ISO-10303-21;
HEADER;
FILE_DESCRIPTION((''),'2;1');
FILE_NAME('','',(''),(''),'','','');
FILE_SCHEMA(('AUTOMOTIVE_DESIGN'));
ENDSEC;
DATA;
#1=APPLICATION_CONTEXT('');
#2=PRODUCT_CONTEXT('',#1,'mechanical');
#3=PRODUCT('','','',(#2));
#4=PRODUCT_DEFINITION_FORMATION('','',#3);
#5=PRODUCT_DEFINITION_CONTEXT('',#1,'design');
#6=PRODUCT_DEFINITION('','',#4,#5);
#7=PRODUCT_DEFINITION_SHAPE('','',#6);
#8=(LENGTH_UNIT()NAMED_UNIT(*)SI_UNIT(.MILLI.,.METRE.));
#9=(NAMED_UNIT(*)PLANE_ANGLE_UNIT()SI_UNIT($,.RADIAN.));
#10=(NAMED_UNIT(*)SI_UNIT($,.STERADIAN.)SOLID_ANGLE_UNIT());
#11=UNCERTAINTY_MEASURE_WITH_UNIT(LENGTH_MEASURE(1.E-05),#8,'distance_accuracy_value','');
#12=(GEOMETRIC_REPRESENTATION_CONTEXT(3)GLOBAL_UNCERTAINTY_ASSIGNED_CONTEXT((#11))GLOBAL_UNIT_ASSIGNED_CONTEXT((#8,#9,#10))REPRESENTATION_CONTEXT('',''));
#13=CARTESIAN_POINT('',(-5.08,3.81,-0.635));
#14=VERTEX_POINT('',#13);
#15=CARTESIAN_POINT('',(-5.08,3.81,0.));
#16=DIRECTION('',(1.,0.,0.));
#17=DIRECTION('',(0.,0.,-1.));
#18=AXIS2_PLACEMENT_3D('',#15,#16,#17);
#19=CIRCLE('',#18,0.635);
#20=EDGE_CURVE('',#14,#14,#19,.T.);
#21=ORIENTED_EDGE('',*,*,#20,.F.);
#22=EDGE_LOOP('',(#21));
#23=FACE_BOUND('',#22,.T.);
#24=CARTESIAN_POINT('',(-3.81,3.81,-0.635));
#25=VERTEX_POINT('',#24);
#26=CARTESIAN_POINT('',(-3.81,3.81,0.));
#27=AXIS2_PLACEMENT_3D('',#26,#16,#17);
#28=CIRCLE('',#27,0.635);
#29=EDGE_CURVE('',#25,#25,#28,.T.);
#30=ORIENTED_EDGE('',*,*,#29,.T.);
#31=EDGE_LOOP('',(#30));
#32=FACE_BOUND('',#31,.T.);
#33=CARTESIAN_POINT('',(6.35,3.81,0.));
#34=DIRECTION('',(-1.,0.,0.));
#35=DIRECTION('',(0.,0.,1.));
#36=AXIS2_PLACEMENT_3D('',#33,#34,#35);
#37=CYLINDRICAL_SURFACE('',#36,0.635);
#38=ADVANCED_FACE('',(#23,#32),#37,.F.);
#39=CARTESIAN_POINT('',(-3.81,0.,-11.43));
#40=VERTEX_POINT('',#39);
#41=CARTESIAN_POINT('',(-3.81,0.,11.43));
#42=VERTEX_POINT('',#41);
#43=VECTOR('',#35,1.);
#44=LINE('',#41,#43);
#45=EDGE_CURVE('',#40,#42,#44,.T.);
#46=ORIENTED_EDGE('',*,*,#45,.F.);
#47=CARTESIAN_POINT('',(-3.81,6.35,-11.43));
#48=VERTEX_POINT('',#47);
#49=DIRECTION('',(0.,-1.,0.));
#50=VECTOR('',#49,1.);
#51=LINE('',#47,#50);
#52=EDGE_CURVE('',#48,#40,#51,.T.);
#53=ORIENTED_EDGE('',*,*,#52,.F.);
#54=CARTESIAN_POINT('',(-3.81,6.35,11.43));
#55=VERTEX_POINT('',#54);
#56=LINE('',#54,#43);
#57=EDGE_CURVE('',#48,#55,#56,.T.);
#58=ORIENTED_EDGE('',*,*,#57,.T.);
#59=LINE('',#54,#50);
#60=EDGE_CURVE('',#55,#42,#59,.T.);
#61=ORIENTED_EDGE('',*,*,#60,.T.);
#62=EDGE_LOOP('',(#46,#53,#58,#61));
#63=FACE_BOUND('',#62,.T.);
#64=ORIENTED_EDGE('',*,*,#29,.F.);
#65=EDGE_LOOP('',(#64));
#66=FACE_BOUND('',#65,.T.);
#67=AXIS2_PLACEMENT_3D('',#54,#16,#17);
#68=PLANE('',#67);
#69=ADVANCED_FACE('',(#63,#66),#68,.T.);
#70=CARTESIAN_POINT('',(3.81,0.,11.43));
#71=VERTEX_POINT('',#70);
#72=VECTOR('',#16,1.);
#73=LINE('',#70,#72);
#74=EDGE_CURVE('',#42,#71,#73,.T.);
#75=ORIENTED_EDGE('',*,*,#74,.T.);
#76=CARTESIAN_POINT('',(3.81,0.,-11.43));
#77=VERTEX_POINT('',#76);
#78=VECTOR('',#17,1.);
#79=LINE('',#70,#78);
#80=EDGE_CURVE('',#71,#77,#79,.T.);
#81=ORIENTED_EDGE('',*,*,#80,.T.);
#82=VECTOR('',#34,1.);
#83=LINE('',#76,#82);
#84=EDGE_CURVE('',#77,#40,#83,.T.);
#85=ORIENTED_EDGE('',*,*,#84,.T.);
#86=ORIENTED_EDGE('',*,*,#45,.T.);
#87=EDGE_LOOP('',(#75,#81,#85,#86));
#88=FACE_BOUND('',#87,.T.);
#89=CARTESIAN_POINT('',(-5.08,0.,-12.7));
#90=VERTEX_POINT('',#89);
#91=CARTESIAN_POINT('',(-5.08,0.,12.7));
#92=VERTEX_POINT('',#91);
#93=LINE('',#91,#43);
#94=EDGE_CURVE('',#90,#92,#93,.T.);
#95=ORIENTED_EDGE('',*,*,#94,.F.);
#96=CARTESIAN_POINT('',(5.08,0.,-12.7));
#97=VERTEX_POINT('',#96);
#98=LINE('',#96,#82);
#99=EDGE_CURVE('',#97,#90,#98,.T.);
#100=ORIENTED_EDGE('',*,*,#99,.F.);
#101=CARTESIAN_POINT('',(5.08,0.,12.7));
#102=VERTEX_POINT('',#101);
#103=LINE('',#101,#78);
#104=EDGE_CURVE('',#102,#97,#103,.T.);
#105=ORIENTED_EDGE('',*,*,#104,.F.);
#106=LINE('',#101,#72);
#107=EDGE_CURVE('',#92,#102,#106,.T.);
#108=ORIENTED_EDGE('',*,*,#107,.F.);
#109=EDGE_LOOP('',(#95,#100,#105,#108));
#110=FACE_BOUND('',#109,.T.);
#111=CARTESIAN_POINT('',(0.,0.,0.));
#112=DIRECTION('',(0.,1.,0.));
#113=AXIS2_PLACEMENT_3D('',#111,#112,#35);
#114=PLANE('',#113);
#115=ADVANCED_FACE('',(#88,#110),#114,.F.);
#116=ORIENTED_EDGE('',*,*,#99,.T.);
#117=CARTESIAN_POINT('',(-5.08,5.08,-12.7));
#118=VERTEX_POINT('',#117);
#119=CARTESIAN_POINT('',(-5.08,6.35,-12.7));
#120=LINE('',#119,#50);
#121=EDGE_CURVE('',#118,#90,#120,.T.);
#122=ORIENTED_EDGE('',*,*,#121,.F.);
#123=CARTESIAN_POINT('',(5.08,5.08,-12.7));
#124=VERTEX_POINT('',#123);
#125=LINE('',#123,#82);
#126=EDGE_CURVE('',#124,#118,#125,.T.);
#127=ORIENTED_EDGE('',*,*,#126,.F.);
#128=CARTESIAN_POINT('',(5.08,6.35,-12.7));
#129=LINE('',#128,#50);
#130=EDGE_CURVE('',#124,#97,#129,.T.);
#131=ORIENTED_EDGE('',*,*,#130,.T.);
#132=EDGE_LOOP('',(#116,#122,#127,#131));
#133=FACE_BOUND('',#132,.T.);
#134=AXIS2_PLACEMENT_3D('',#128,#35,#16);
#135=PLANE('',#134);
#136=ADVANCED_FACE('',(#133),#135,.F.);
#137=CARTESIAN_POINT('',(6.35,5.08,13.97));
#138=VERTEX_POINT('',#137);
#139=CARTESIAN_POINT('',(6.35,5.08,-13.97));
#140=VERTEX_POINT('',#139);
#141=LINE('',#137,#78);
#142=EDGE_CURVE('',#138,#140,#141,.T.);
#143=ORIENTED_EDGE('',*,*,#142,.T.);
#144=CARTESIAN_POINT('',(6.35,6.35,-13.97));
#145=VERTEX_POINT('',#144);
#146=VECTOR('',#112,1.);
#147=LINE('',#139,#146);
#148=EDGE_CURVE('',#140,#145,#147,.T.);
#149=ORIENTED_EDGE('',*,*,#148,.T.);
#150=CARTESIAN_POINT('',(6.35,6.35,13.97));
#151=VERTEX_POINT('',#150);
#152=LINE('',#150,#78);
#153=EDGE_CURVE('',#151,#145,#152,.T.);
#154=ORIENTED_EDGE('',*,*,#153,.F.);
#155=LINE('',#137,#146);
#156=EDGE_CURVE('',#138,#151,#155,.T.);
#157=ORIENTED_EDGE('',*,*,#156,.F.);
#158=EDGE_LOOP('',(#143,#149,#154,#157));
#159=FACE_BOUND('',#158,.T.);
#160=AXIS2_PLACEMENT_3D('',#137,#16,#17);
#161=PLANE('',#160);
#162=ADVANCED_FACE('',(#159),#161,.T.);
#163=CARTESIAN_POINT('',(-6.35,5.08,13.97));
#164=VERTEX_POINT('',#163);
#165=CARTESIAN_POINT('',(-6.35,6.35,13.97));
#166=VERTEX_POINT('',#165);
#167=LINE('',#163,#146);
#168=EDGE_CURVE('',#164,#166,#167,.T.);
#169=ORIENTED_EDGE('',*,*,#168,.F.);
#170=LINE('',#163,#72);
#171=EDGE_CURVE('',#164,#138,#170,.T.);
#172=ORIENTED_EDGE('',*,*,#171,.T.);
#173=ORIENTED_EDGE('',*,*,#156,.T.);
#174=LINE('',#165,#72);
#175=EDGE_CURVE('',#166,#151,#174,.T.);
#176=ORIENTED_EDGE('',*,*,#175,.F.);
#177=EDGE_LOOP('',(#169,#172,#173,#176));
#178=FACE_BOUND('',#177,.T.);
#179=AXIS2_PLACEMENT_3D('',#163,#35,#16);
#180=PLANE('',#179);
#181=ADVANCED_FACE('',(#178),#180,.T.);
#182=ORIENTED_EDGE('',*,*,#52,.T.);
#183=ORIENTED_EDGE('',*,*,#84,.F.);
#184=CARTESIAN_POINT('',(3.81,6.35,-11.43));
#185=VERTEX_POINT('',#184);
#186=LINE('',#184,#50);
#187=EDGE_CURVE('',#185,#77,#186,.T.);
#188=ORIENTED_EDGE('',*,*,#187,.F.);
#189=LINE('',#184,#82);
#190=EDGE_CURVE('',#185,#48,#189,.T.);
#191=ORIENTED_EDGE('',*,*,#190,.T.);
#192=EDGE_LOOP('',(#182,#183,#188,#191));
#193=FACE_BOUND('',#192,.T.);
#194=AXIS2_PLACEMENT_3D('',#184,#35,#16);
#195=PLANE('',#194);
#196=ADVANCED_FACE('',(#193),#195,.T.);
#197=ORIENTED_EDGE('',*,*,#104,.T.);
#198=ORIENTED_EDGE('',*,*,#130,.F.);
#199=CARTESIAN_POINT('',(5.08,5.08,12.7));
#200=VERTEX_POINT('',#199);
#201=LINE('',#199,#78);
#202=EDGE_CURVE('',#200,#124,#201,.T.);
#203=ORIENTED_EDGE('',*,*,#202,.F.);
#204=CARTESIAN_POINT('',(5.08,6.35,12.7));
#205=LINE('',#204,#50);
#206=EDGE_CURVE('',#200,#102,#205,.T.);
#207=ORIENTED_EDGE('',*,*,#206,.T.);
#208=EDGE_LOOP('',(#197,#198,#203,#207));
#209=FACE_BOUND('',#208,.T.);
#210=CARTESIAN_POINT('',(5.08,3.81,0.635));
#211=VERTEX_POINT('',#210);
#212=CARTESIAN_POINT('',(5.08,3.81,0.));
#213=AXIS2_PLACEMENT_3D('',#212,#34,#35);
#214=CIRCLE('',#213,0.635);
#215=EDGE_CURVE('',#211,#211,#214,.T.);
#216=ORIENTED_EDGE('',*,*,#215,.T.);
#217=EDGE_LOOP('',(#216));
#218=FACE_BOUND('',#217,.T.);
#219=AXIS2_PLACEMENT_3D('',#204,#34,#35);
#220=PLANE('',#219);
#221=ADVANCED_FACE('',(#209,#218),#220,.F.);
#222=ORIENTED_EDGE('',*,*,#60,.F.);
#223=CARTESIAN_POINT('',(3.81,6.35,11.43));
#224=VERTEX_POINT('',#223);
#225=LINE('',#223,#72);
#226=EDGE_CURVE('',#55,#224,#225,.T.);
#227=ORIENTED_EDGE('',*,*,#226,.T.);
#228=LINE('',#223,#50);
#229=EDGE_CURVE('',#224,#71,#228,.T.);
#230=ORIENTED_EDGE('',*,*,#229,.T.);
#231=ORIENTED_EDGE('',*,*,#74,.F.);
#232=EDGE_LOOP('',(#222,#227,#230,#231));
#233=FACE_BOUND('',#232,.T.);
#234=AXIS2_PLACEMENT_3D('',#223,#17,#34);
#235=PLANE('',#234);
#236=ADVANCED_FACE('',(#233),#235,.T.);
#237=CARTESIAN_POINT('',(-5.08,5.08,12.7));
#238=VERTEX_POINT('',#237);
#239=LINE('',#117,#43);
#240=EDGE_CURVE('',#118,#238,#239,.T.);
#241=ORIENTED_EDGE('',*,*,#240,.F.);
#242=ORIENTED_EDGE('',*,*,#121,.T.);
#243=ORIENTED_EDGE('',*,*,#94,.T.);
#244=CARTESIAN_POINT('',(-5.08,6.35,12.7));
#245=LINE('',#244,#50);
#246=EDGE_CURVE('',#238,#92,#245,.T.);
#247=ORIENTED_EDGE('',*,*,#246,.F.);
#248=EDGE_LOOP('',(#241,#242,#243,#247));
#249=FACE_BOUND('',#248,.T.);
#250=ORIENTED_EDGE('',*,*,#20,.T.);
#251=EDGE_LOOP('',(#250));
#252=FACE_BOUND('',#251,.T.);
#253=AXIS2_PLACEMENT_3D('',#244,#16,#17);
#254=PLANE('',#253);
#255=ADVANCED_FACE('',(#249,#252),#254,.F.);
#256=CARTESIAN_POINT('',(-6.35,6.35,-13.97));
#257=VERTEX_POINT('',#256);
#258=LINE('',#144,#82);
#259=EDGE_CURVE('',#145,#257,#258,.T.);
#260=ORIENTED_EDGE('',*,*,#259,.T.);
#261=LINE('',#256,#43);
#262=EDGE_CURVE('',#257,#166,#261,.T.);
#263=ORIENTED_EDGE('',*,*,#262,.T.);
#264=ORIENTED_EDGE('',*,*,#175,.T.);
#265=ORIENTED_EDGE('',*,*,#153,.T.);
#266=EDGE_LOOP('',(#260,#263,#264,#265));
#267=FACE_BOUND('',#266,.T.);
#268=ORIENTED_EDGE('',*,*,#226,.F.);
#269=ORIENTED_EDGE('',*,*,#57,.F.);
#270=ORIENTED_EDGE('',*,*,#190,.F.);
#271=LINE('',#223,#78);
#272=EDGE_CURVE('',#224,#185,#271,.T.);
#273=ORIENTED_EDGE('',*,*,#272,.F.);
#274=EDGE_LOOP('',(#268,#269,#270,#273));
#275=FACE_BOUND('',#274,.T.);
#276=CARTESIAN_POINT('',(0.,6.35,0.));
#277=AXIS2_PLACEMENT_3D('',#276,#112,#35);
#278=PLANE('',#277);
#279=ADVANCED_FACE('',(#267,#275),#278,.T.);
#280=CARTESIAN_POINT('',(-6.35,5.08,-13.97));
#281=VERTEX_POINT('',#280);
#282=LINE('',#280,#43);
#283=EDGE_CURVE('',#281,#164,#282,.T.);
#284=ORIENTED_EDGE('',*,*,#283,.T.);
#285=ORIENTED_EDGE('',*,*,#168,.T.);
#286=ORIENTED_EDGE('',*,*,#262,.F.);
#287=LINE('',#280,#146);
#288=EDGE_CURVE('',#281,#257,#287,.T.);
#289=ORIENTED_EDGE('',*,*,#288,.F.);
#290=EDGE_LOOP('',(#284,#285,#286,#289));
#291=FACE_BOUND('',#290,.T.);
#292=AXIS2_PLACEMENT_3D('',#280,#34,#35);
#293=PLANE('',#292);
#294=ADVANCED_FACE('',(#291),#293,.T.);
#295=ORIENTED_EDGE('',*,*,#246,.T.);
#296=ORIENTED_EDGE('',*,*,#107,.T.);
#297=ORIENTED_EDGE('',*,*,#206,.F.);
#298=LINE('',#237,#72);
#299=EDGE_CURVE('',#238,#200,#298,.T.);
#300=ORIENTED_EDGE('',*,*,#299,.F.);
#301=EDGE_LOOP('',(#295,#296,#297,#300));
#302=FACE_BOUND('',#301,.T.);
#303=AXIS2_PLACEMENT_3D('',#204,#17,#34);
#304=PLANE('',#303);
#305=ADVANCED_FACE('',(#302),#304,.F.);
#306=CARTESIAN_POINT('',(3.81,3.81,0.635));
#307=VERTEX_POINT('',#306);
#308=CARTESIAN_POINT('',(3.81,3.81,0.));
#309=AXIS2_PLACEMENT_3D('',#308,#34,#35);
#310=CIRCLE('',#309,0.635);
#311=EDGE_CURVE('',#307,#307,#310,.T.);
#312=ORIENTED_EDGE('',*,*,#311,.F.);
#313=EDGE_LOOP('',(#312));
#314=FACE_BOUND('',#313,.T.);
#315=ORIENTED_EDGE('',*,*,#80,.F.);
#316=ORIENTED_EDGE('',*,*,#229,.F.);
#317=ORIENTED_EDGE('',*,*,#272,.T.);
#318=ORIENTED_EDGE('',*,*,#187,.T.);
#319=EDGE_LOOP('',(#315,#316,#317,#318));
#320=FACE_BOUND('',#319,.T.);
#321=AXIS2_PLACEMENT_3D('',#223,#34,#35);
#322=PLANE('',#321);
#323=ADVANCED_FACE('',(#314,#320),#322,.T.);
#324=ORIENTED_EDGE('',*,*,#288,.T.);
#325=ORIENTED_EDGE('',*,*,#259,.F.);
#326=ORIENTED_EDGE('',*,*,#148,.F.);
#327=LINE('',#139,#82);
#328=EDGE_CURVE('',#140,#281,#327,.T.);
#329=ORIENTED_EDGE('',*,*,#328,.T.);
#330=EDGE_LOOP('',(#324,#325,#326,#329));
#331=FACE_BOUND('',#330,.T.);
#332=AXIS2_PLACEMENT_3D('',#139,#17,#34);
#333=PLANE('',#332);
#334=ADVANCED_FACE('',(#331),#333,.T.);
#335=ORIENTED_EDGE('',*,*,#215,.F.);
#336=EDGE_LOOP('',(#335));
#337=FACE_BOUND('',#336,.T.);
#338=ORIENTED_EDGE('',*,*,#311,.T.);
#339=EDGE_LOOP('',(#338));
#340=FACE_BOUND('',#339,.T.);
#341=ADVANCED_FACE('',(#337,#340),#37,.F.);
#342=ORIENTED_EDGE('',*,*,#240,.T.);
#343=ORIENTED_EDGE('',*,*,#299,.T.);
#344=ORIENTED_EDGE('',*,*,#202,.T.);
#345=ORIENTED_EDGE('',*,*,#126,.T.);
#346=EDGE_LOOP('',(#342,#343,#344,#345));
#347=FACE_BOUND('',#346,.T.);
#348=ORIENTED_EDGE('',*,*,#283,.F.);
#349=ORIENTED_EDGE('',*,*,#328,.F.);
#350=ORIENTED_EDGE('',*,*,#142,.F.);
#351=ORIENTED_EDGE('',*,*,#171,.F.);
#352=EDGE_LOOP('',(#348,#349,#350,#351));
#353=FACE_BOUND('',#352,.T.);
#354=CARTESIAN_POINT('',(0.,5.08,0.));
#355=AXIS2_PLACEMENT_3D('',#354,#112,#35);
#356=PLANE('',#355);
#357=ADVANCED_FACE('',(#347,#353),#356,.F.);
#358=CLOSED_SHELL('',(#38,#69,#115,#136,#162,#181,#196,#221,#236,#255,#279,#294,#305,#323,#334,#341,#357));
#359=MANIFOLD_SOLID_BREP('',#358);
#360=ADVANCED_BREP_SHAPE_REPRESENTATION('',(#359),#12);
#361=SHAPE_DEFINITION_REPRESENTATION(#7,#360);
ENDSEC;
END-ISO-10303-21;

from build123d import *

# Parameters (mm, degrees)
SKETCH1_W               = 10.16
SKETCH1_H               = 25.4
SKETCH1_W_2             = 7.62
SKETCH1_H_2             = 22.86
BOSS_EXTRUDE1_DEPTH     = 6.35
SKETCH2_W               = 12.7
SKETCH2_H               = 27.94
SKETCH2_W_2             = 10.16
SKETCH2_H_2             = 25.4
BOSS_EXTRUDE2_DEPTH     = 1.27
SKETCH3_R               = 0.635
CUT_EXTRUDE1_DEPTH      = 11.16
CUT_EXTRUDE1_DEPTH_BACK = 3.54


with BuildPart() as part:
    # Sketch1 → Boss-Extrude1 (new body)
    with BuildSketch(Plane(origin=(0, 0, 0), x_dir=(1, 0, 0), z_dir=(0, 1, 0))):
        Rectangle(SKETCH1_W, SKETCH1_H)
        Rectangle(SKETCH1_W_2, SKETCH1_H_2, mode=Mode.SUBTRACT)
    extrude(amount=BOSS_EXTRUDE1_DEPTH)

    # Sketch2 → Boss-Extrude2 (add)
    with BuildSketch(Plane(origin=(0, 6.35, 0), x_dir=(1, 0, 0), z_dir=(0, 1, 0))):
        Rectangle(SKETCH2_W, SKETCH2_H)
        Rectangle(SKETCH2_W_2, SKETCH2_H_2, mode=Mode.SUBTRACT)
    extrude(amount=-BOSS_EXTRUDE2_DEPTH)

    # Sketch3 → Cut-Extrude1 (cut, two sides)
    with BuildSketch(Plane.ZY.offset(-3.81)) as cut_extrude1_sk:
        with Locations((0, 3.81)):
            Circle(SKETCH3_R)
    extrude(amount=CUT_EXTRUDE1_DEPTH, mode=Mode.SUBTRACT)
    extrude(cut_extrude1_sk.sketch, amount=-CUT_EXTRUDE1_DEPTH_BACK, mode=Mode.SUBTRACT)


solid = part.part
